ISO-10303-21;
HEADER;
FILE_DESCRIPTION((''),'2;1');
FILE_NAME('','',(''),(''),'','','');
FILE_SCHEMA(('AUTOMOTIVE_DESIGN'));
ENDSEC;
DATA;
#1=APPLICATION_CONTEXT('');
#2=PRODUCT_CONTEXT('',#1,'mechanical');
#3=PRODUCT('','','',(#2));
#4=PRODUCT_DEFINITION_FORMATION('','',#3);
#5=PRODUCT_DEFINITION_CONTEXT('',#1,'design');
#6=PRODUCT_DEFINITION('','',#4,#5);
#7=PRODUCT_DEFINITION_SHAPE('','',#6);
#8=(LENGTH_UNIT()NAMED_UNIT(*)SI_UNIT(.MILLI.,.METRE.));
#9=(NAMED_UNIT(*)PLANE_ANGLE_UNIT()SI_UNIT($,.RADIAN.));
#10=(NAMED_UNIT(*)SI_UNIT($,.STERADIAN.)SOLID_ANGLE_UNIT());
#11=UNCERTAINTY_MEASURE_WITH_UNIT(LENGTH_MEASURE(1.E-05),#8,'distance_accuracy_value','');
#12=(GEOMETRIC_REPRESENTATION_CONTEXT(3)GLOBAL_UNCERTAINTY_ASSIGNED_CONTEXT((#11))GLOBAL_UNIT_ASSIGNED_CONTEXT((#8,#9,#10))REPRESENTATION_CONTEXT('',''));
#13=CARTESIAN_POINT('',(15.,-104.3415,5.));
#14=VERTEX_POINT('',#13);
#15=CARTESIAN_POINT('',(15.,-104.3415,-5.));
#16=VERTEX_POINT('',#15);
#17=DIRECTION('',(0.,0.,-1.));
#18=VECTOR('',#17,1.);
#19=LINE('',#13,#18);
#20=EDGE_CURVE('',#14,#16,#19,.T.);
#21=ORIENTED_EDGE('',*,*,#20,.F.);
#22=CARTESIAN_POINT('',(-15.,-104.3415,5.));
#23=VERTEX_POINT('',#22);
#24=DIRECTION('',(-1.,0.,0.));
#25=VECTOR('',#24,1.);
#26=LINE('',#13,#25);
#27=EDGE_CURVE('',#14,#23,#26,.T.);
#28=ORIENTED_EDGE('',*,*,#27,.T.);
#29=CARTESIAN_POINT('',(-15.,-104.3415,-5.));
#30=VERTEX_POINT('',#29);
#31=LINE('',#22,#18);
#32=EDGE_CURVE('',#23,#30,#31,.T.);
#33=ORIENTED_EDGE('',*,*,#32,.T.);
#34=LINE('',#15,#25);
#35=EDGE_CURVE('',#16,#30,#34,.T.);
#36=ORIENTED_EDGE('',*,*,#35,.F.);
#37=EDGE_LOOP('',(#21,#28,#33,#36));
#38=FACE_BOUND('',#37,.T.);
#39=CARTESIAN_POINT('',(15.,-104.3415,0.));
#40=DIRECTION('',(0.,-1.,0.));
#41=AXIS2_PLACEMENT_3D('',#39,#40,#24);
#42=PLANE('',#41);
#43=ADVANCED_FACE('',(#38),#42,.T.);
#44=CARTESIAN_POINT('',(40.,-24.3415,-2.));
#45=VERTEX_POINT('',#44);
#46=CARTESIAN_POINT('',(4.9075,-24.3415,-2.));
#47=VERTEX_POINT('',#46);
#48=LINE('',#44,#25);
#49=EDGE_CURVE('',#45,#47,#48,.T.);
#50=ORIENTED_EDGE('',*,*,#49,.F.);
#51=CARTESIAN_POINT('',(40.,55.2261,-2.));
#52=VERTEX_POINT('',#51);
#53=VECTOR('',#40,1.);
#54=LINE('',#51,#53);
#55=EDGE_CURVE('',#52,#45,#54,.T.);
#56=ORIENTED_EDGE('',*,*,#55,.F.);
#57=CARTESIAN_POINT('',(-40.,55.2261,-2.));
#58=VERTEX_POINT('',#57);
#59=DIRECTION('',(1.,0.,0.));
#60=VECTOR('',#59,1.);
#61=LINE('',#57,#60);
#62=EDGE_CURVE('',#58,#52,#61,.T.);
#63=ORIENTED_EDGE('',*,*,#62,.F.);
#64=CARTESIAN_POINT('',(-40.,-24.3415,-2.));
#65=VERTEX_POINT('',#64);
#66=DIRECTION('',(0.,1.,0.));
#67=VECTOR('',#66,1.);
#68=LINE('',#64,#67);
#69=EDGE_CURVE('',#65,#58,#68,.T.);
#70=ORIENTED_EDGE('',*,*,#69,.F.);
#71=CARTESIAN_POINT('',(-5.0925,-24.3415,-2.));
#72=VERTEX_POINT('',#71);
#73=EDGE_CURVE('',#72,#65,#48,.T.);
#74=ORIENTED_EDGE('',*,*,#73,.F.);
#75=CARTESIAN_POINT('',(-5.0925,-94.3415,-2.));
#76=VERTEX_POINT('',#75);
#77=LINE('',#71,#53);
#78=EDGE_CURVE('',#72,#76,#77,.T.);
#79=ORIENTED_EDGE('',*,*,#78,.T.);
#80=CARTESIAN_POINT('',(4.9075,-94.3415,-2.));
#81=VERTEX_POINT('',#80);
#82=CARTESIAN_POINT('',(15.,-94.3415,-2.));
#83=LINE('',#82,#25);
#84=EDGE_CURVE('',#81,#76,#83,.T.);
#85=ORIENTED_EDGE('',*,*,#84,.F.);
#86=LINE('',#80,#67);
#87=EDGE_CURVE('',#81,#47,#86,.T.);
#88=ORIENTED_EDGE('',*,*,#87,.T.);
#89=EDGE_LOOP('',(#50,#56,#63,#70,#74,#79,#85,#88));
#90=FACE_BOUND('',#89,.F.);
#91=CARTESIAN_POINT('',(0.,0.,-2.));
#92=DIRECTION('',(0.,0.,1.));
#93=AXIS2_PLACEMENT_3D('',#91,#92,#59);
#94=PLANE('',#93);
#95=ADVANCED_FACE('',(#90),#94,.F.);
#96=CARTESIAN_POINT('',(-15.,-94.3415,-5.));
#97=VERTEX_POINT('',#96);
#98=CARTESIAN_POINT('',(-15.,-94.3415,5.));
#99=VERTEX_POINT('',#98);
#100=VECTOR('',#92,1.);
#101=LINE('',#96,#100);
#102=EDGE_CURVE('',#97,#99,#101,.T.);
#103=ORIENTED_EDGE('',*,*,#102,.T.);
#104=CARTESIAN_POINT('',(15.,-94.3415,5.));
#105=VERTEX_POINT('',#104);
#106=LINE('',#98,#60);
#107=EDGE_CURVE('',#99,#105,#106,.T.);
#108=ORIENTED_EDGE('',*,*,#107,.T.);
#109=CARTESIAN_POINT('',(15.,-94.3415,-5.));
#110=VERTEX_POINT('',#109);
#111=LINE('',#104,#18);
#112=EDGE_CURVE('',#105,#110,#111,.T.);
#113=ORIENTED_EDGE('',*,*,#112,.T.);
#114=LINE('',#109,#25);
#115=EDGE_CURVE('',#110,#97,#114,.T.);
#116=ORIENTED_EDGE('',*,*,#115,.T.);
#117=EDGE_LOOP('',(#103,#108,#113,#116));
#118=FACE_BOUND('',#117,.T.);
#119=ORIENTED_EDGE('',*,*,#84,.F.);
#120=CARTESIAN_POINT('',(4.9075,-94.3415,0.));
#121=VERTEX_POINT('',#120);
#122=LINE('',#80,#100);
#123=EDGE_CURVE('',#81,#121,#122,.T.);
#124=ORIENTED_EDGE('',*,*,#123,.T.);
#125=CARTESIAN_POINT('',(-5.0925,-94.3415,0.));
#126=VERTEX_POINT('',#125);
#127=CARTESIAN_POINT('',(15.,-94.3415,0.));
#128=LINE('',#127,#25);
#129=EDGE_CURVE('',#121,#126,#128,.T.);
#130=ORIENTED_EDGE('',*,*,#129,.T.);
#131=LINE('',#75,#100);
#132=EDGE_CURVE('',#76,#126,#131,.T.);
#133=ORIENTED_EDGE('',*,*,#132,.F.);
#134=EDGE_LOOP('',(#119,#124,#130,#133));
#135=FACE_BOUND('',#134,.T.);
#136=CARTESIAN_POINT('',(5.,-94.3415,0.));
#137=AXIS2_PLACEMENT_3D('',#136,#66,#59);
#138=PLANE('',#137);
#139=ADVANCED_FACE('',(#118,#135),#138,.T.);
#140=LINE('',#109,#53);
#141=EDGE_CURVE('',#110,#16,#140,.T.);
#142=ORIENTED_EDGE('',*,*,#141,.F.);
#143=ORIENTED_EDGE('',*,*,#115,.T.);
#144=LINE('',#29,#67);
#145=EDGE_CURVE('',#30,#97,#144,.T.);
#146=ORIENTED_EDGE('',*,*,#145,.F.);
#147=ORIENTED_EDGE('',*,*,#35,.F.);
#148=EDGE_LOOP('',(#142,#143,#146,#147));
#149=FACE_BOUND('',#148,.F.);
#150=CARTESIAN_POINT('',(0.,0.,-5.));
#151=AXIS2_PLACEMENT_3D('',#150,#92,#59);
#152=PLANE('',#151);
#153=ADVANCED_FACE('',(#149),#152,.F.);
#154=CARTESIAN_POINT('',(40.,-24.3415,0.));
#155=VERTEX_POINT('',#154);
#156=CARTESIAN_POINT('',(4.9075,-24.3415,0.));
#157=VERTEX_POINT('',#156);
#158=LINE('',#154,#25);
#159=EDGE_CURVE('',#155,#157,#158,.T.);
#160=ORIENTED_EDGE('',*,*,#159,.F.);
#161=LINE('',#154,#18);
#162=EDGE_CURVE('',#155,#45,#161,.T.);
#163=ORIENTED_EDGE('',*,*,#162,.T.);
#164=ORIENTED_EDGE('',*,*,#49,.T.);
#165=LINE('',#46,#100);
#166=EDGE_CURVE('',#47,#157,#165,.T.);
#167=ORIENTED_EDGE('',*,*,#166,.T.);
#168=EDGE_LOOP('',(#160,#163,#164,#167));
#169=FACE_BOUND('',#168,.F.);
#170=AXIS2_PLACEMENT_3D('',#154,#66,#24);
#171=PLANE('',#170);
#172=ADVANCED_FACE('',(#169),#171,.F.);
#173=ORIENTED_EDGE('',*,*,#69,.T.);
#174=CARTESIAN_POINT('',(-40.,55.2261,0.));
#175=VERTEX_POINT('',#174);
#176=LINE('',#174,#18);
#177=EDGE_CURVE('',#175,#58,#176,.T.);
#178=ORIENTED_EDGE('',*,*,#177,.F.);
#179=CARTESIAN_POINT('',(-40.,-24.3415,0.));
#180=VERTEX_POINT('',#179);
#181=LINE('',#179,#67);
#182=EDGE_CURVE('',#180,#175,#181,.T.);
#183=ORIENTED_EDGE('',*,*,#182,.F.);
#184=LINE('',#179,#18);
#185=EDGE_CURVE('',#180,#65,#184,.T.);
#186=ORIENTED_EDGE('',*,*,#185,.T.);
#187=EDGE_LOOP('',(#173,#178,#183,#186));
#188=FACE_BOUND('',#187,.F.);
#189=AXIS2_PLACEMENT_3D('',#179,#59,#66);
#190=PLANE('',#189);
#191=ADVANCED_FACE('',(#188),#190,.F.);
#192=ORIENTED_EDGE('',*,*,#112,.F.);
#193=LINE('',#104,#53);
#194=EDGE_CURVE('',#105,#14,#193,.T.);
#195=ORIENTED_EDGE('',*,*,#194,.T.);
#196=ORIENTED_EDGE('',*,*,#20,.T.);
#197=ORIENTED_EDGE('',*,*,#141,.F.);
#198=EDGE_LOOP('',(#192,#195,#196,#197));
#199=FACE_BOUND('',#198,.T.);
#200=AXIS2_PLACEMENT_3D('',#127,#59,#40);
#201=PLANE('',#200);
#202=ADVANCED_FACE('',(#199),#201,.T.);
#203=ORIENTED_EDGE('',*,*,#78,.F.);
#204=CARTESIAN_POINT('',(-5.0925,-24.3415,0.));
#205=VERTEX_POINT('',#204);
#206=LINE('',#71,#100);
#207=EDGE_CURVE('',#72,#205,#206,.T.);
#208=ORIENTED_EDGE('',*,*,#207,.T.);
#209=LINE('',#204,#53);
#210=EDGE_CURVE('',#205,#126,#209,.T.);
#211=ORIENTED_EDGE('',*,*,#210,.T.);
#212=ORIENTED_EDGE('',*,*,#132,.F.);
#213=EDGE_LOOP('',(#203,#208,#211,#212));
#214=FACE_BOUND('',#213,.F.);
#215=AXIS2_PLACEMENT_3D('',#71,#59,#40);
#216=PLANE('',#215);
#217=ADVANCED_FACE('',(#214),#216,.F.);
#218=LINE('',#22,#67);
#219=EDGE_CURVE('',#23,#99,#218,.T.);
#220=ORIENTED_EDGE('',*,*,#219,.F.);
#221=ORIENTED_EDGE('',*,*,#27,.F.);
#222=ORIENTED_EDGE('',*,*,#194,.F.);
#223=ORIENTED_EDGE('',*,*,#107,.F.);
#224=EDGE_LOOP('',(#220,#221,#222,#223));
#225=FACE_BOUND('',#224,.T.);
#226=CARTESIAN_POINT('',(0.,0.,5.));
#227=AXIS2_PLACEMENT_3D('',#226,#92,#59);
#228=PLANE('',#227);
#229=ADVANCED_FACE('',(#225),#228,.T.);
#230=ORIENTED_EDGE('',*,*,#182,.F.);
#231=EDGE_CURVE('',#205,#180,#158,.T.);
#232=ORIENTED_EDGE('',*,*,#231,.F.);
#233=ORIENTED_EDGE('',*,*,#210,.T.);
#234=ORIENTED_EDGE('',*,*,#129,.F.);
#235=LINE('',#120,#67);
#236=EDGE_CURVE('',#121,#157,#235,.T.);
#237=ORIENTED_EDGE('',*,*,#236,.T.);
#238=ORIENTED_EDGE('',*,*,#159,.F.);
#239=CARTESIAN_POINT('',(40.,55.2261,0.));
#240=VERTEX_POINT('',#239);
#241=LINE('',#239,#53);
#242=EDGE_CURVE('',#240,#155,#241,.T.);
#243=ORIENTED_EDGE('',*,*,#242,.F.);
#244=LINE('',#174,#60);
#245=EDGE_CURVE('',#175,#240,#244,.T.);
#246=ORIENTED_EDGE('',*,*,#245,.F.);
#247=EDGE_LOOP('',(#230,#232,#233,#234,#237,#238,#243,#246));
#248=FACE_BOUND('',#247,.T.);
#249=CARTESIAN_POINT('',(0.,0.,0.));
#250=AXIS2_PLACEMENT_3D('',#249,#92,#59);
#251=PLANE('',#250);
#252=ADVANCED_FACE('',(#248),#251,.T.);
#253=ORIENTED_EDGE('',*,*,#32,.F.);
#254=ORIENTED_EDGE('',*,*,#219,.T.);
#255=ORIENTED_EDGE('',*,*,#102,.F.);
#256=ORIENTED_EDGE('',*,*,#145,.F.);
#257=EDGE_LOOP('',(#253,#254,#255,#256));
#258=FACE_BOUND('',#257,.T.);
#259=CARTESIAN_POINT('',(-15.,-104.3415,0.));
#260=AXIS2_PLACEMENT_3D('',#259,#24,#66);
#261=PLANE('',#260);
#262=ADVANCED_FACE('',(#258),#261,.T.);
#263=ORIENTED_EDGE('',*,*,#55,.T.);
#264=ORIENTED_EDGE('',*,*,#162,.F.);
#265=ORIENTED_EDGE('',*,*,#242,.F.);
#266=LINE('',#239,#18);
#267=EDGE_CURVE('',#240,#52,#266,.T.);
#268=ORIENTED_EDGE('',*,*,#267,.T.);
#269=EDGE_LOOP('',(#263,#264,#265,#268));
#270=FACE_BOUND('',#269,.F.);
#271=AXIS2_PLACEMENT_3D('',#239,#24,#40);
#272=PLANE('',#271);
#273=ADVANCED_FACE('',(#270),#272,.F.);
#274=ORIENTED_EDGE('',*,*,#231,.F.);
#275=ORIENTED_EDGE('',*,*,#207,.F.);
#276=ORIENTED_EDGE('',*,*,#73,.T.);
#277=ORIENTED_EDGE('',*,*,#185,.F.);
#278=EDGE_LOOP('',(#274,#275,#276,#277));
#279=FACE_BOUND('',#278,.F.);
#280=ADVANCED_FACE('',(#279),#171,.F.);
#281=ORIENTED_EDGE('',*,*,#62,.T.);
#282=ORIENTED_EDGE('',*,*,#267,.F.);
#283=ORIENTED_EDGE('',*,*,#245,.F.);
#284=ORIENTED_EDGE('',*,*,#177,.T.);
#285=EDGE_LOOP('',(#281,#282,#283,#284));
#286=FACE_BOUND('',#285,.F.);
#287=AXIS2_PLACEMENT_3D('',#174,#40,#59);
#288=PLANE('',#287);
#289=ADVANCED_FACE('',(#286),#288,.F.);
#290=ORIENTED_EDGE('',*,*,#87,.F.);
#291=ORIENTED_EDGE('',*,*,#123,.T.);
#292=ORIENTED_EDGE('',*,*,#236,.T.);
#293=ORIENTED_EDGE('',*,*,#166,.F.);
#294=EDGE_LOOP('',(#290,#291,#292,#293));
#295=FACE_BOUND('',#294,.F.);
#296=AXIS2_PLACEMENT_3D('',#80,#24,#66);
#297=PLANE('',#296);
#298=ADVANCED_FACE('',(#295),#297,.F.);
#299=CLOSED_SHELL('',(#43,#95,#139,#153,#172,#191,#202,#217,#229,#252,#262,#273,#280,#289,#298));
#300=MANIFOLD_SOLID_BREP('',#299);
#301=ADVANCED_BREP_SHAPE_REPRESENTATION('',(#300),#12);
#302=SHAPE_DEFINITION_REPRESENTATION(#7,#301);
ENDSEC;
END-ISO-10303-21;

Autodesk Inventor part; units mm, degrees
ref_plane "YZ Plane" through (0, 0, 0) normal (1, 0, 0) x (0, 1, 0)
ref_plane "XZ Plane" through (0, 0, 0) normal (0, 1, 0) x (-1, 0, 0)
ref_plane "XY Plane" through (0, 0, 0) normal (0, 0, 1) x (1, 0, 0)
sketch "Sketch1" plane through (0, 0, 0) normal (0, 0, 1) x (1, 0, 0)
  line L0 (-40, 55.2261) -> (40, 55.2261)
  line L1 (40, 55.2261) -> (40, -24.3415)
  line L2 (40, -24.3415) -> (-40, -24.3415)
  line L3 (-40, -24.3415) -> (-40, 55.2261)
  point P0 (0, 0)
  dimension "d8" = 24.3415
extrude "Extrusion1" add sketch "Sketch1" against normal blind 2
sketch "Sketch2" plane through (0, 0, 0) normal (0, 0, 1) x (1, 0, 0)
  line L0 (-40, 55.2261) -> (40, 55.2261) projected
  line L1 (-40, 55.2261) -> (39.9042, 55.2261) construction
  line L2 (39.9042, 55.2261) -> (39.9042, -24.6781) construction
  line L3 (39.9042, -24.6781) -> (-40, -24.6781) construction
  line L4 (-40, -24.6781) -> (-40, 55.2261) construction
  point P0 (0, 0)
sketch "Sketch3" plane through (0, 0, 0) normal (0, 0, 1) x (1, 0, 0)
  line L0 (40, -24.3415) -> (-40, -24.3415) projected
  line L1 (-5, -24.3415) -> (5, -24.3415)
  line L2 (5, -24.3415) -> (5, -94.3415)
  line L3 (5, -94.3415) -> (-5, -94.3415)
  line L4 (-5, -94.3415) -> (-5, -24.3415)
  line L5 (-15, -94.3415) -> (15, -94.3415)
  line L6 (15, -94.3415) -> (15, -104.3415)
  line L7 (15, -104.3415) -> (-15, -104.3415)
  line L8 (-15, -104.3415) -> (-15, -94.3415)
  point P0 (0, 0)
  dimension "d12" = 10
  dimension "d13" = 70
  dimension "d14" = 5
  dimension "d15" = 30
  dimension "d16" = 10
extrude "Extrusion2" add sketch "Sketch3" along normal mid plane 10 contours L5 L6 L7 L8 L3
sketch "Sketch4" plane through (0, 0, 5) normal (0, 0, 1) x (1, 0, 0)
  point P0 (0, 0)
sketch "Sketch7" plane through (0, 0, -2) normal (0, 0, -1) x (-1, 0, 0)
  line L0 (-40, -24.3415) -> (40, -24.3415) projected
  line L1 (-15, -94.3415) -> (15, -94.3415) projected
  line L2 (-4.9075, -24.3415) -> (5.0925, -24.3415)
  line L3 (5.0925, -24.3415) -> (5.0925, -94.3415)
  line L4 (5.0925, -94.3415) -> (-4.9075, -94.3415)
  line L5 (-4.9075, -94.3415) -> (-4.9075, -24.3415)
  point P0 (0, 0)
  dimension "d21" = 10
extrude "Extrusion3" add sketch "Sketch7" against normal blind 2
properties part number "parkinglot"
